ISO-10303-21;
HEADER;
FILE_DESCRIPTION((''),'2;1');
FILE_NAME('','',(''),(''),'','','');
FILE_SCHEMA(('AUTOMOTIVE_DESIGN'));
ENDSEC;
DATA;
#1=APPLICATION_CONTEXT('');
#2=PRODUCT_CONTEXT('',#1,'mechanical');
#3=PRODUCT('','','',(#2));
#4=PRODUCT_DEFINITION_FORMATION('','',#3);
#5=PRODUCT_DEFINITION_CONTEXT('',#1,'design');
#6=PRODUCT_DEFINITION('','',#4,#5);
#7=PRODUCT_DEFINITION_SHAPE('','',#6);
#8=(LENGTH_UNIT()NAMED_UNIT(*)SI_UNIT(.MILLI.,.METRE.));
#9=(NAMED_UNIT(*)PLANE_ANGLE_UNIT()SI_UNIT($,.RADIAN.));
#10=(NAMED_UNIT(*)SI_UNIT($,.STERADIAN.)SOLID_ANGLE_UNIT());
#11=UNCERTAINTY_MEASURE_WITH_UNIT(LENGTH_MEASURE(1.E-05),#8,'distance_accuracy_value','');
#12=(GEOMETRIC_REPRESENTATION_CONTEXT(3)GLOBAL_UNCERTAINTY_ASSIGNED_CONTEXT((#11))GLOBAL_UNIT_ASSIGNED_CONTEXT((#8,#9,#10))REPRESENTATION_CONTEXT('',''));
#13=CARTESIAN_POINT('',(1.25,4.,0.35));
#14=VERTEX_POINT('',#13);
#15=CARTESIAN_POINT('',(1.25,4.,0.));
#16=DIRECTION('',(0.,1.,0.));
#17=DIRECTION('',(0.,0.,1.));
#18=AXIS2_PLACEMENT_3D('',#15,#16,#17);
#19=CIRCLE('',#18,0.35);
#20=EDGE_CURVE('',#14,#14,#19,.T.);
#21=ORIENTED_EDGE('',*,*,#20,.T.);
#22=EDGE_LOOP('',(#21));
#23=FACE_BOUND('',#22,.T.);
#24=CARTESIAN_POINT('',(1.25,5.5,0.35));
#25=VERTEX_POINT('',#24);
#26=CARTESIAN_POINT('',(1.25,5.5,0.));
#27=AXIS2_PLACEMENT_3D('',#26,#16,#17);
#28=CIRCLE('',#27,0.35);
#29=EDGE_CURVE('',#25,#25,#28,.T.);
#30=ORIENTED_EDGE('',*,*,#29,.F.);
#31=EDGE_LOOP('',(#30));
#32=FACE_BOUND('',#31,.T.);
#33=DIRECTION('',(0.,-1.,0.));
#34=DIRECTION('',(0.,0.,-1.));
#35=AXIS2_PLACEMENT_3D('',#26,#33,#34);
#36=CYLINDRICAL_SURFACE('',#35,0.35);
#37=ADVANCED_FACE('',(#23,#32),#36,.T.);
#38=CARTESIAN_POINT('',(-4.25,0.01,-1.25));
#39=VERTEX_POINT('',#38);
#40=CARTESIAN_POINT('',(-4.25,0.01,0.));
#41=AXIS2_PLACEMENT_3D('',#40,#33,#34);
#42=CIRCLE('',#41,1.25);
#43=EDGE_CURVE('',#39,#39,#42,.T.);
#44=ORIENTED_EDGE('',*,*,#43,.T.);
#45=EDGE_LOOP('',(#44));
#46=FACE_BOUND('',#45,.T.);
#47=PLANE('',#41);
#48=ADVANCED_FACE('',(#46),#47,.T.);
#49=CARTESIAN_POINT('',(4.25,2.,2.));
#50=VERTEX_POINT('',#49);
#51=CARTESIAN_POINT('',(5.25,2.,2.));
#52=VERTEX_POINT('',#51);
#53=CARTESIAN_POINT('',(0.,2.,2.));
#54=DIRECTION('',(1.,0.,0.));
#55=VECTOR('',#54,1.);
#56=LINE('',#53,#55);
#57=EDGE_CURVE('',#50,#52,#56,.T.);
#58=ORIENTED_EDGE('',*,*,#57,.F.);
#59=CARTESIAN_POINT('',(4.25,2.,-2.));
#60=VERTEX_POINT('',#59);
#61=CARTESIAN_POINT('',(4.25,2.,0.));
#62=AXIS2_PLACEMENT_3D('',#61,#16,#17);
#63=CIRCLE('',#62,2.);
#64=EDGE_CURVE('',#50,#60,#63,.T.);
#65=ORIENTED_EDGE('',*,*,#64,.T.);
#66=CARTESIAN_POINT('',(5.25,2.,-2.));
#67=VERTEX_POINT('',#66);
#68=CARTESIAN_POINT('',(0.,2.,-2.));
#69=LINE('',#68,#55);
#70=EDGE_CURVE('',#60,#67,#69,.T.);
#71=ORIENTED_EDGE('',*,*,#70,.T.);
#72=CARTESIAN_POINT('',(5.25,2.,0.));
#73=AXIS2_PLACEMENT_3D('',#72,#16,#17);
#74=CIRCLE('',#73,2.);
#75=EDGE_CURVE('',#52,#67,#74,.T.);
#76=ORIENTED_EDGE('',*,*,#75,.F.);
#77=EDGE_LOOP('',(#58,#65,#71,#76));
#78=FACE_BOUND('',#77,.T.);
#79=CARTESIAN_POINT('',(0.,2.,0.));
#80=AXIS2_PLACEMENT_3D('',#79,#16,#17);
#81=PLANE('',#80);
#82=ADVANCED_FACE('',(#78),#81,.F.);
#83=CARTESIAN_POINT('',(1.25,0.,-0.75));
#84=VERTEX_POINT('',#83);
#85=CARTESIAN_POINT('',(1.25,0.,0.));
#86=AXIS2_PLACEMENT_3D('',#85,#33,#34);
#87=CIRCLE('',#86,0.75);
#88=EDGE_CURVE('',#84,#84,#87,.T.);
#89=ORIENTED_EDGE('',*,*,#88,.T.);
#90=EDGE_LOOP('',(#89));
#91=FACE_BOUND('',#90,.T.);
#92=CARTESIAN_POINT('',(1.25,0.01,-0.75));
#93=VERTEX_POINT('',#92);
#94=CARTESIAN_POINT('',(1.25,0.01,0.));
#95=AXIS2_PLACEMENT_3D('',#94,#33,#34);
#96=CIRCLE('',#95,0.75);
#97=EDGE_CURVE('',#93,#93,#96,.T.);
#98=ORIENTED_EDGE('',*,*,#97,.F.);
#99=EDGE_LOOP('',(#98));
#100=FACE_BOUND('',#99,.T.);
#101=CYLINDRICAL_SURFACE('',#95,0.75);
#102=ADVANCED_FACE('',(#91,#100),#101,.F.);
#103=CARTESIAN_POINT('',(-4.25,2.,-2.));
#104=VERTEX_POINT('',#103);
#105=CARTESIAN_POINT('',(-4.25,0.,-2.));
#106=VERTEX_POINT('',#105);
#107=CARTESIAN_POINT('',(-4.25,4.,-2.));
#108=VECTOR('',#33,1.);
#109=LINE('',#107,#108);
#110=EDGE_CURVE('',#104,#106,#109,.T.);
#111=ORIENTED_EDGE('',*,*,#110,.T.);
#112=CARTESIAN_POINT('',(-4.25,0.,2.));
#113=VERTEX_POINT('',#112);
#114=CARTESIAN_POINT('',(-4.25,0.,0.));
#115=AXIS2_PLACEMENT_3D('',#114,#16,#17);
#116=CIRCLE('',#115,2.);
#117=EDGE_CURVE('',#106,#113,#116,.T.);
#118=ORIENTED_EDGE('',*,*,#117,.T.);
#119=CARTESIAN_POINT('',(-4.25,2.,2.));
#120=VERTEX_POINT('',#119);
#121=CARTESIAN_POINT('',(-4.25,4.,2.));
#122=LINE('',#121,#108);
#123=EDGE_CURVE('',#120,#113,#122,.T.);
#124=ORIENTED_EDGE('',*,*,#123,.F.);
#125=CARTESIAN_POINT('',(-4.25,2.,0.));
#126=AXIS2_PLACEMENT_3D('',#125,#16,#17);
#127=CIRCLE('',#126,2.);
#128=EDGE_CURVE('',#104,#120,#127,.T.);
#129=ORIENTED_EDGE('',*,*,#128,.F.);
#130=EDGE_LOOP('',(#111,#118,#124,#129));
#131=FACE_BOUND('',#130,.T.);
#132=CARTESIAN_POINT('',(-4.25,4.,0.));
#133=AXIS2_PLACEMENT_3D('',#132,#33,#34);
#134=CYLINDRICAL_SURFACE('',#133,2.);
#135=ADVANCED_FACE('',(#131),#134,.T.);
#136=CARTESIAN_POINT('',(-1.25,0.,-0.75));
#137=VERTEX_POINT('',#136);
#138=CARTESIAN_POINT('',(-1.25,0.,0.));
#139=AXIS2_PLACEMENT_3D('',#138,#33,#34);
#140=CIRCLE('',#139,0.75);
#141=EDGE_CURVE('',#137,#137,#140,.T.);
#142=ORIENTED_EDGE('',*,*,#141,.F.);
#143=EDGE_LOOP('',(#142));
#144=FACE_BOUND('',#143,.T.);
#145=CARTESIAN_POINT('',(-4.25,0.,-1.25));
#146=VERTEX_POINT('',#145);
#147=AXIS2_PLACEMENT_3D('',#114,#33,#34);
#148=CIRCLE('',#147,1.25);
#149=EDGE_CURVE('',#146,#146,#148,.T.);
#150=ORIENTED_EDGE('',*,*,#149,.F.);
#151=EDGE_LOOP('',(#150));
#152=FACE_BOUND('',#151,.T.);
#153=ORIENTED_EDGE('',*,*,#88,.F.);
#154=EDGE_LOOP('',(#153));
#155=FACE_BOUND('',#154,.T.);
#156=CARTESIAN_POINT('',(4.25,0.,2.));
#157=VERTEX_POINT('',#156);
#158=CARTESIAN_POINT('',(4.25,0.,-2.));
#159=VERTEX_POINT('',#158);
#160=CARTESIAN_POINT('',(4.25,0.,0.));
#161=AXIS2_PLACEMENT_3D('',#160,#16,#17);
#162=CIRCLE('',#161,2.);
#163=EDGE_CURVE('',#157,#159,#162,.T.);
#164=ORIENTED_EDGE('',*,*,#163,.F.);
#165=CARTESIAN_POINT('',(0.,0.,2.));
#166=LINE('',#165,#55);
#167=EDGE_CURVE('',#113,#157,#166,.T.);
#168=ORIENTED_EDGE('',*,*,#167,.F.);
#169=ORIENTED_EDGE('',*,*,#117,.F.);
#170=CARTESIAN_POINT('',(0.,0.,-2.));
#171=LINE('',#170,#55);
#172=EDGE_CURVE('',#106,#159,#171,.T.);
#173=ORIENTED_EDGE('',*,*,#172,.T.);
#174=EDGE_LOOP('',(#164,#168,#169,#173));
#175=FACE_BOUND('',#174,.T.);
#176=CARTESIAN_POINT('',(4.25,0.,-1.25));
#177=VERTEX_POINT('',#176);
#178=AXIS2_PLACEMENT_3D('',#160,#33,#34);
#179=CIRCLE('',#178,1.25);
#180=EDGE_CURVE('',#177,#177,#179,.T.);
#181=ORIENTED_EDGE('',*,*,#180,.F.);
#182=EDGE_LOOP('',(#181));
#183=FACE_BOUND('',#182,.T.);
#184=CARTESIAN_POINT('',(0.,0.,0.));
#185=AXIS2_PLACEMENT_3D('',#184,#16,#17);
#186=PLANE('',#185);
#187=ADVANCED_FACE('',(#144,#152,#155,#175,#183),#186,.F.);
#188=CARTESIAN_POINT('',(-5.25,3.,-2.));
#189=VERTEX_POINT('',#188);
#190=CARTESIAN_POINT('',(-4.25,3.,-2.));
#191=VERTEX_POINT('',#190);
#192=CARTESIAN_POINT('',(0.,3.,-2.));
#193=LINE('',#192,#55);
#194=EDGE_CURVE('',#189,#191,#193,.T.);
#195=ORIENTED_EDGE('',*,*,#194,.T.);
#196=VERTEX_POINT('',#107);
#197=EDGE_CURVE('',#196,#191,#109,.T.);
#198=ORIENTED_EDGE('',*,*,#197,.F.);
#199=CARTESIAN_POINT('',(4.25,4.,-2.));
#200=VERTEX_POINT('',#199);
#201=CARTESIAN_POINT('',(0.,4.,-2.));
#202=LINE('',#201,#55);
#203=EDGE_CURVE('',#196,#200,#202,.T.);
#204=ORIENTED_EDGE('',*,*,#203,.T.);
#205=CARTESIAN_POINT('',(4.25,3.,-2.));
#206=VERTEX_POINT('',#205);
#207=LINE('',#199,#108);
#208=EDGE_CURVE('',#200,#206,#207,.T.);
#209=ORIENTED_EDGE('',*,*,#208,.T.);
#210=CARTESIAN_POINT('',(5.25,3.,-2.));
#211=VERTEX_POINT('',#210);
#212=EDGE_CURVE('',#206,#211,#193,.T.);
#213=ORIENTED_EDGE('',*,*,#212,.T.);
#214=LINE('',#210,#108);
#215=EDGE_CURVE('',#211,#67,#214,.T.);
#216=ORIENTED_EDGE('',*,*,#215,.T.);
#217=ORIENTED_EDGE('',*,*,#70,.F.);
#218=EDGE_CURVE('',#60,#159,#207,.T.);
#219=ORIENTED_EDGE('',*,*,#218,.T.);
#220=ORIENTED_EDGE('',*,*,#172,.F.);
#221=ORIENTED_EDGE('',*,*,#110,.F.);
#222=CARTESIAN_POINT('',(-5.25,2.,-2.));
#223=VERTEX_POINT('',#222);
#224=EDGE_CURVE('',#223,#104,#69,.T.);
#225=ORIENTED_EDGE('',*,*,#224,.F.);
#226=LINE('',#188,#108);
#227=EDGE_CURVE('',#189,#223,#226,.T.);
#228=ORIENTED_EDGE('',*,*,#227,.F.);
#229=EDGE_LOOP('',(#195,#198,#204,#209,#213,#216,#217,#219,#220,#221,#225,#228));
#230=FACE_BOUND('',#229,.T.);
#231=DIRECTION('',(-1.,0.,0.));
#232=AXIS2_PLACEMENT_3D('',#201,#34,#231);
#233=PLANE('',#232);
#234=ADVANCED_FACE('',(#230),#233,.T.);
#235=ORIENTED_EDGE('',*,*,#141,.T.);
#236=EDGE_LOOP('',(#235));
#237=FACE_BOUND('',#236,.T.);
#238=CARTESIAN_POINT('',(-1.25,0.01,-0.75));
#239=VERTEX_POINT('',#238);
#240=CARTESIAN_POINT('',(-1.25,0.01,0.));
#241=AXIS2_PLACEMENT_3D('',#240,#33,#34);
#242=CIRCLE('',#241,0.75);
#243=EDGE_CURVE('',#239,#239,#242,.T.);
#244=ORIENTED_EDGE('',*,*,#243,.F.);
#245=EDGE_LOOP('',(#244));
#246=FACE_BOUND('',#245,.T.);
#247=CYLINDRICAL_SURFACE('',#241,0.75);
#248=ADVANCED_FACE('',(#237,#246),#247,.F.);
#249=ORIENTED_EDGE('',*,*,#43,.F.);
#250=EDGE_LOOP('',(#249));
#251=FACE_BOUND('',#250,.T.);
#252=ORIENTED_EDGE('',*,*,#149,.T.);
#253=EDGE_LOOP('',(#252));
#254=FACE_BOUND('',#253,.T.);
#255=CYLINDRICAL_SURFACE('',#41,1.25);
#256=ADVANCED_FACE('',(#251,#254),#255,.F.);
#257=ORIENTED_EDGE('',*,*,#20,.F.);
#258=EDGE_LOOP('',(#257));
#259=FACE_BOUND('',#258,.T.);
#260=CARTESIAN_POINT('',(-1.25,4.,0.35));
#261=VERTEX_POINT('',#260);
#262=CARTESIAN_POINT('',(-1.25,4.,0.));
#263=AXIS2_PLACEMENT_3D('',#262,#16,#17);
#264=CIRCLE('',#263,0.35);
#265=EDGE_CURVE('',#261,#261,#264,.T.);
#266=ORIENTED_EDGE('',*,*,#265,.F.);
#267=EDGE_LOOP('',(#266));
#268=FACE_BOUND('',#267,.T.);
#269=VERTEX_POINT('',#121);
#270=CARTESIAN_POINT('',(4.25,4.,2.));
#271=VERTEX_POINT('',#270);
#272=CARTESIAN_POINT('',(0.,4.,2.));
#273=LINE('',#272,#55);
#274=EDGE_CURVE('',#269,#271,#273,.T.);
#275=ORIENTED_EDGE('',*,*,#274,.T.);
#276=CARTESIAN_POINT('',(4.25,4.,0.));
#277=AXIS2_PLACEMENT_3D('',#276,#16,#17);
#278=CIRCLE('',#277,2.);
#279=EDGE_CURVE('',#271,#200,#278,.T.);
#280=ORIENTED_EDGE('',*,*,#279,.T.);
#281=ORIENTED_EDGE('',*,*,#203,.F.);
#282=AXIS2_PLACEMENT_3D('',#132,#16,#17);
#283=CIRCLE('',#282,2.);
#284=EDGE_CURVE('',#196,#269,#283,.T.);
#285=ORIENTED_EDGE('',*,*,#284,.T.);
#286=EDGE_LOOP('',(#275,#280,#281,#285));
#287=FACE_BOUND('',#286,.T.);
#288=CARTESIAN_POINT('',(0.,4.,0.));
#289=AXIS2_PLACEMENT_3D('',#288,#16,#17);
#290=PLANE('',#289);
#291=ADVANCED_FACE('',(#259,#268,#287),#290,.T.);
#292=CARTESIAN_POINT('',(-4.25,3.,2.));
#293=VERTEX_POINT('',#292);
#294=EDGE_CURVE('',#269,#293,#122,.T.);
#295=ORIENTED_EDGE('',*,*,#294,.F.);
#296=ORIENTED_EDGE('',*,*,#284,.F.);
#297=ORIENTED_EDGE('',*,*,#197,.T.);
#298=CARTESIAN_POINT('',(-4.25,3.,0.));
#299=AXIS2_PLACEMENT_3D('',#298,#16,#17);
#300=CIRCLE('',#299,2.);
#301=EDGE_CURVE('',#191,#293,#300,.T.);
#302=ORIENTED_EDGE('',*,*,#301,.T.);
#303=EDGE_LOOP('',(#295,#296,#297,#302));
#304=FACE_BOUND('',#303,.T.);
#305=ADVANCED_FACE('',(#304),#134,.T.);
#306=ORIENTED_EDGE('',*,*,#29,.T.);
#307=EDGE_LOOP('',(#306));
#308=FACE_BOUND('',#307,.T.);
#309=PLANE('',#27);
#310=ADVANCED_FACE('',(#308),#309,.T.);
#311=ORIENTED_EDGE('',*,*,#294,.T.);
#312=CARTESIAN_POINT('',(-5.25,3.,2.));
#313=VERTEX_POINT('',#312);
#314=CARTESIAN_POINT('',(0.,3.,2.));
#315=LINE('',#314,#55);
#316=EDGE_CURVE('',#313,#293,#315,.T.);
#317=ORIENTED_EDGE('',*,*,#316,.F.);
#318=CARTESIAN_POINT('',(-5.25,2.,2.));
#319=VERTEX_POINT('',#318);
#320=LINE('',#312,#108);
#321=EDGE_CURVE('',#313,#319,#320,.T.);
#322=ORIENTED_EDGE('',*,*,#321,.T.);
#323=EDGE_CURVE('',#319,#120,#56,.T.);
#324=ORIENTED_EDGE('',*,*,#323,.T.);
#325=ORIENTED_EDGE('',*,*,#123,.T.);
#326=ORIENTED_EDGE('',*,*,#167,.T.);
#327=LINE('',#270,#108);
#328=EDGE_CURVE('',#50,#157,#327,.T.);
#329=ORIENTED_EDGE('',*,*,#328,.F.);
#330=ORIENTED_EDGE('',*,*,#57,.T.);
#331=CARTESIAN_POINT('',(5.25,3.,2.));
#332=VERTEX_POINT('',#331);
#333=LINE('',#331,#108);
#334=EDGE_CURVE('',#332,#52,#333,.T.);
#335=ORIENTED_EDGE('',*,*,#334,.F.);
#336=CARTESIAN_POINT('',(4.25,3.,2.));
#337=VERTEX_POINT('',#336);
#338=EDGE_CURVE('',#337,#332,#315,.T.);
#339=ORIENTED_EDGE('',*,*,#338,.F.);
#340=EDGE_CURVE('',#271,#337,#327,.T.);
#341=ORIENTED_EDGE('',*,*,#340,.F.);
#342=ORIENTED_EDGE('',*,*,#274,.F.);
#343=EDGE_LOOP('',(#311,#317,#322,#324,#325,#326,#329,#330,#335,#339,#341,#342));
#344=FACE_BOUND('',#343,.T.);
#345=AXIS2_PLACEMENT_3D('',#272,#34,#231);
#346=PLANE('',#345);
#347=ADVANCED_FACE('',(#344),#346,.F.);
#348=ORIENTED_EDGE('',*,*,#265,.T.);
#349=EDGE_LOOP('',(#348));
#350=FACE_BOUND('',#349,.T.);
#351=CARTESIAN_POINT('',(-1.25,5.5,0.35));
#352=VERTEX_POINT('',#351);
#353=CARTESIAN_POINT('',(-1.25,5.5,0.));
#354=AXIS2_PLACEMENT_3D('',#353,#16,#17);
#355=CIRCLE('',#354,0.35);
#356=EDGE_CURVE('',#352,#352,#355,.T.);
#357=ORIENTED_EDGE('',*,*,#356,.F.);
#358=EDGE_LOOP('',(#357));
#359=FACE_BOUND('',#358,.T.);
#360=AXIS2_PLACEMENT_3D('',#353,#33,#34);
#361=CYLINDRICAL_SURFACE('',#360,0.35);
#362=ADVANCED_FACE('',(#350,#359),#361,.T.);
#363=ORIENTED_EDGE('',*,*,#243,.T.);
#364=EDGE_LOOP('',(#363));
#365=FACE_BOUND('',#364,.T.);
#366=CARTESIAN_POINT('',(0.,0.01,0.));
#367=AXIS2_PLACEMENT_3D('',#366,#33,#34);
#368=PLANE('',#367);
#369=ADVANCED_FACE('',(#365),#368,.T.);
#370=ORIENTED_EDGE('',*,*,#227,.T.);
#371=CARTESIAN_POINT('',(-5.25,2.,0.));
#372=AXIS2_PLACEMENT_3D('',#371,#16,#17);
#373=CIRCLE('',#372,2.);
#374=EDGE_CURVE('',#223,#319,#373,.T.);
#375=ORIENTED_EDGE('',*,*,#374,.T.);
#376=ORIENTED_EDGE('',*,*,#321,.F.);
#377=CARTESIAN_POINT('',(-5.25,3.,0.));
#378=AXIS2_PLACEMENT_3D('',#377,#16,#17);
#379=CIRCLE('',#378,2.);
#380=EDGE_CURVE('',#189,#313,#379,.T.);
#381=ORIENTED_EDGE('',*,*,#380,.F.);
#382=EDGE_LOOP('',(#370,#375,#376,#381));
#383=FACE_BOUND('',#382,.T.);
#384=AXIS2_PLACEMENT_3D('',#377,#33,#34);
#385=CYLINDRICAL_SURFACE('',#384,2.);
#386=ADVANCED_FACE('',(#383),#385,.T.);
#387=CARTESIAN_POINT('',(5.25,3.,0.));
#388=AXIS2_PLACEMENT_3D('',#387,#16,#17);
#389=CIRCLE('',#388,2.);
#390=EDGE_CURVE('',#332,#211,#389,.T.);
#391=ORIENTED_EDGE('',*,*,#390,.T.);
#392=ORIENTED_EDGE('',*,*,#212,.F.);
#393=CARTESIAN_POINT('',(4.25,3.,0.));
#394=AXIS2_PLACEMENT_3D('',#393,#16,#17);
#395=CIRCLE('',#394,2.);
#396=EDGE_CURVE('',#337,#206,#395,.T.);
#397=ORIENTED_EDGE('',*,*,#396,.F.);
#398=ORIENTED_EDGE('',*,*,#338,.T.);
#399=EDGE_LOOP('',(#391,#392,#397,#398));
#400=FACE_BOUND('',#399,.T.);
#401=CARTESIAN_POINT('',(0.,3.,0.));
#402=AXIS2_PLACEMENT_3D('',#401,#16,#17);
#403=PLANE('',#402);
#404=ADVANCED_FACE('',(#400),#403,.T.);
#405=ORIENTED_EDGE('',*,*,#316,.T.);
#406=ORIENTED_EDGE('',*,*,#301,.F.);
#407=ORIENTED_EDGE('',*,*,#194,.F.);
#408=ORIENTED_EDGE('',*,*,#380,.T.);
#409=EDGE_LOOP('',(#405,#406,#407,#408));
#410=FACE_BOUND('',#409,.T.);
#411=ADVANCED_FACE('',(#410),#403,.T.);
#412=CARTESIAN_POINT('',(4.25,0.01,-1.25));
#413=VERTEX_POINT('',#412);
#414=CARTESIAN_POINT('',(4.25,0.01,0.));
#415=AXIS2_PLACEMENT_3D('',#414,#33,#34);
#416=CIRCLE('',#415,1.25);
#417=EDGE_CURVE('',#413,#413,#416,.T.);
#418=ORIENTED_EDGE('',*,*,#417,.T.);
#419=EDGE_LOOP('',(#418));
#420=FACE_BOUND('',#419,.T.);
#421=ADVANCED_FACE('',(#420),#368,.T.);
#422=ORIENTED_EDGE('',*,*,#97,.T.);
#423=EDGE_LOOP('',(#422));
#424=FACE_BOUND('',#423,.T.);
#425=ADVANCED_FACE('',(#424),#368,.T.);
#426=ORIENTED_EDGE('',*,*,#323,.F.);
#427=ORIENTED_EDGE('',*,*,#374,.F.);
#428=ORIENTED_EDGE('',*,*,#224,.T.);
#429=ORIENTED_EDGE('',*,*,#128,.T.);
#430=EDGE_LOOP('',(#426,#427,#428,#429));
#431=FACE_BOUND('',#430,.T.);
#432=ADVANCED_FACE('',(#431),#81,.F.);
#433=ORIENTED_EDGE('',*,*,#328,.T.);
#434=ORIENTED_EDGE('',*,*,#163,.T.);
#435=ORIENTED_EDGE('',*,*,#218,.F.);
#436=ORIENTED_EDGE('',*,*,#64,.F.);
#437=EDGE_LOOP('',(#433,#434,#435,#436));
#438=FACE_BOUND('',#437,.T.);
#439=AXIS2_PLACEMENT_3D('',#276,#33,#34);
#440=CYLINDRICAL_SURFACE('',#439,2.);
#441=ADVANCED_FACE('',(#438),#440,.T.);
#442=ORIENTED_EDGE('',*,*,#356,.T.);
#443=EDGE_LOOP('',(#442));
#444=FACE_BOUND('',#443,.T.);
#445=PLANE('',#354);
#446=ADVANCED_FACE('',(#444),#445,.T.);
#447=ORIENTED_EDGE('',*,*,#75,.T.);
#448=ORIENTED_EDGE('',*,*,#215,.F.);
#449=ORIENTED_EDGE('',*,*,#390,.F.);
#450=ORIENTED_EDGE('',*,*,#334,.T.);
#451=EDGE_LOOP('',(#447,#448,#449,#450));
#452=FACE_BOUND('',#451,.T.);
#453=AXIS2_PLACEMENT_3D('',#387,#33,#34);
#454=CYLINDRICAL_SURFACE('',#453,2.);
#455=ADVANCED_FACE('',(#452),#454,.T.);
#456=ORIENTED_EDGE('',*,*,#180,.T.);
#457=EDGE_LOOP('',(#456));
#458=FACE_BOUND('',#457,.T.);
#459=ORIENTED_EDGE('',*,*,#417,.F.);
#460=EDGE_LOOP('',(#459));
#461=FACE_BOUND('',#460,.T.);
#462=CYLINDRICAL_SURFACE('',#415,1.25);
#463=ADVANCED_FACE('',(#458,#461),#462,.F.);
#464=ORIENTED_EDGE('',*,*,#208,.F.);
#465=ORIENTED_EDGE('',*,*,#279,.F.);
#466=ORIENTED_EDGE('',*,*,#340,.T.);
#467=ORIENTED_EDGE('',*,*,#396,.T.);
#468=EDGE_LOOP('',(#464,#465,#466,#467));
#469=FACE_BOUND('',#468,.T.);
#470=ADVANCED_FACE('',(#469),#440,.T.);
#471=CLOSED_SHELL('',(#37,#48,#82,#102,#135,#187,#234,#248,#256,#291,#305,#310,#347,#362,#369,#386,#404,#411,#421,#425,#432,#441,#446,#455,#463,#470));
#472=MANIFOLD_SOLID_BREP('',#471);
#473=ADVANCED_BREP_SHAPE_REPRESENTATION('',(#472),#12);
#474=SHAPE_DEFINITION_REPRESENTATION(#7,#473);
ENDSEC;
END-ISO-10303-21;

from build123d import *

# Parameters (mm, degrees)
BOSS_EXTRUDE1_DEPTH = 4
BOSS_EXTRUDE2_START = 2
BOSS_EXTRUDE2_DEPTH = 1
SKETCH2_R           = 0.35
BOSS_EXTRUDE3_DEPTH = 1.5
SKETCH3_R           = 0.75
SKETCH3_R_2         = 1.25
CUT_EXTRUDE1_DEPTH  = 0.01


with BuildPart() as part:
    # Sketch1 → Boss-Extrude1 (new body)
    with BuildSketch(Plane(origin=(0, 0, 0), x_dir=(1, 0, 0), z_dir=(0, 1, 0))):
        with BuildLine():
            Line((4.25, 2), (-4.25, 2))
            ThreePointArc((-4.25, 2), (-6.25, 0), (-4.25, -2))
            Line((-4.25, -2), (4.25, -2))
            ThreePointArc((4.25, -2), (6.25, 0), (4.25, 2))
        make_face()
    extrude(amount=BOSS_EXTRUDE1_DEPTH)

    # Sketch1<3> → Boss-Extrude2 (add)
    with BuildSketch(Plane(origin=(0, 0, 0), x_dir=(1, 0, 0), z_dir=(0, 1, 0)).offset(BOSS_EXTRUDE2_START)):
        with BuildLine():
            Line((5.25, 2), (4.25, 2))
            ThreePointArc((4.25, 2), (6.25, 0), (4.25, -2))
            Line((4.25, -2), (5.25, -2))
            ThreePointArc((5.25, -2), (7.25, 0), (5.25, 2))
        make_face()
        with BuildLine():
            Line((-4.25, 2), (-5.25, 2))
            ThreePointArc((-5.25, 2), (-7.25, 0), (-5.25, -2))
            Line((-5.25, -2), (-4.25, -2))
            ThreePointArc((-4.25, -2), (-6.25, 0), (-4.25, 2))
        make_face()
    extrude(amount=BOSS_EXTRUDE2_DEPTH)

    # Sketch2 → Boss-Extrude3 (add)
    with BuildSketch(Plane(origin=(0, 4, 0), x_dir=(1, 0, 0), z_dir=(0, 1, 0))):
        with Locations((-1.25, 0)):
            Circle(SKETCH2_R)
        with Locations((1.25, 0)):
            Circle(SKETCH2_R)
    extrude(amount=BOSS_EXTRUDE3_DEPTH)

    # Sketch3 → Cut-Extrude1 (cut)
    with BuildSketch(Plane.XZ):
        with Locations((-1.25, 0)):
            Circle(SKETCH3_R)
        with Locations((1.25, 0)):
            Circle(SKETCH3_R)
        with Locations((4.25, 0)):
            Circle(SKETCH3_R_2)
        with Locations((-4.25, 0)):
            Circle(SKETCH3_R_2)
    extrude(amount=-CUT_EXTRUDE1_DEPTH, mode=Mode.SUBTRACT)


solid = part.part
